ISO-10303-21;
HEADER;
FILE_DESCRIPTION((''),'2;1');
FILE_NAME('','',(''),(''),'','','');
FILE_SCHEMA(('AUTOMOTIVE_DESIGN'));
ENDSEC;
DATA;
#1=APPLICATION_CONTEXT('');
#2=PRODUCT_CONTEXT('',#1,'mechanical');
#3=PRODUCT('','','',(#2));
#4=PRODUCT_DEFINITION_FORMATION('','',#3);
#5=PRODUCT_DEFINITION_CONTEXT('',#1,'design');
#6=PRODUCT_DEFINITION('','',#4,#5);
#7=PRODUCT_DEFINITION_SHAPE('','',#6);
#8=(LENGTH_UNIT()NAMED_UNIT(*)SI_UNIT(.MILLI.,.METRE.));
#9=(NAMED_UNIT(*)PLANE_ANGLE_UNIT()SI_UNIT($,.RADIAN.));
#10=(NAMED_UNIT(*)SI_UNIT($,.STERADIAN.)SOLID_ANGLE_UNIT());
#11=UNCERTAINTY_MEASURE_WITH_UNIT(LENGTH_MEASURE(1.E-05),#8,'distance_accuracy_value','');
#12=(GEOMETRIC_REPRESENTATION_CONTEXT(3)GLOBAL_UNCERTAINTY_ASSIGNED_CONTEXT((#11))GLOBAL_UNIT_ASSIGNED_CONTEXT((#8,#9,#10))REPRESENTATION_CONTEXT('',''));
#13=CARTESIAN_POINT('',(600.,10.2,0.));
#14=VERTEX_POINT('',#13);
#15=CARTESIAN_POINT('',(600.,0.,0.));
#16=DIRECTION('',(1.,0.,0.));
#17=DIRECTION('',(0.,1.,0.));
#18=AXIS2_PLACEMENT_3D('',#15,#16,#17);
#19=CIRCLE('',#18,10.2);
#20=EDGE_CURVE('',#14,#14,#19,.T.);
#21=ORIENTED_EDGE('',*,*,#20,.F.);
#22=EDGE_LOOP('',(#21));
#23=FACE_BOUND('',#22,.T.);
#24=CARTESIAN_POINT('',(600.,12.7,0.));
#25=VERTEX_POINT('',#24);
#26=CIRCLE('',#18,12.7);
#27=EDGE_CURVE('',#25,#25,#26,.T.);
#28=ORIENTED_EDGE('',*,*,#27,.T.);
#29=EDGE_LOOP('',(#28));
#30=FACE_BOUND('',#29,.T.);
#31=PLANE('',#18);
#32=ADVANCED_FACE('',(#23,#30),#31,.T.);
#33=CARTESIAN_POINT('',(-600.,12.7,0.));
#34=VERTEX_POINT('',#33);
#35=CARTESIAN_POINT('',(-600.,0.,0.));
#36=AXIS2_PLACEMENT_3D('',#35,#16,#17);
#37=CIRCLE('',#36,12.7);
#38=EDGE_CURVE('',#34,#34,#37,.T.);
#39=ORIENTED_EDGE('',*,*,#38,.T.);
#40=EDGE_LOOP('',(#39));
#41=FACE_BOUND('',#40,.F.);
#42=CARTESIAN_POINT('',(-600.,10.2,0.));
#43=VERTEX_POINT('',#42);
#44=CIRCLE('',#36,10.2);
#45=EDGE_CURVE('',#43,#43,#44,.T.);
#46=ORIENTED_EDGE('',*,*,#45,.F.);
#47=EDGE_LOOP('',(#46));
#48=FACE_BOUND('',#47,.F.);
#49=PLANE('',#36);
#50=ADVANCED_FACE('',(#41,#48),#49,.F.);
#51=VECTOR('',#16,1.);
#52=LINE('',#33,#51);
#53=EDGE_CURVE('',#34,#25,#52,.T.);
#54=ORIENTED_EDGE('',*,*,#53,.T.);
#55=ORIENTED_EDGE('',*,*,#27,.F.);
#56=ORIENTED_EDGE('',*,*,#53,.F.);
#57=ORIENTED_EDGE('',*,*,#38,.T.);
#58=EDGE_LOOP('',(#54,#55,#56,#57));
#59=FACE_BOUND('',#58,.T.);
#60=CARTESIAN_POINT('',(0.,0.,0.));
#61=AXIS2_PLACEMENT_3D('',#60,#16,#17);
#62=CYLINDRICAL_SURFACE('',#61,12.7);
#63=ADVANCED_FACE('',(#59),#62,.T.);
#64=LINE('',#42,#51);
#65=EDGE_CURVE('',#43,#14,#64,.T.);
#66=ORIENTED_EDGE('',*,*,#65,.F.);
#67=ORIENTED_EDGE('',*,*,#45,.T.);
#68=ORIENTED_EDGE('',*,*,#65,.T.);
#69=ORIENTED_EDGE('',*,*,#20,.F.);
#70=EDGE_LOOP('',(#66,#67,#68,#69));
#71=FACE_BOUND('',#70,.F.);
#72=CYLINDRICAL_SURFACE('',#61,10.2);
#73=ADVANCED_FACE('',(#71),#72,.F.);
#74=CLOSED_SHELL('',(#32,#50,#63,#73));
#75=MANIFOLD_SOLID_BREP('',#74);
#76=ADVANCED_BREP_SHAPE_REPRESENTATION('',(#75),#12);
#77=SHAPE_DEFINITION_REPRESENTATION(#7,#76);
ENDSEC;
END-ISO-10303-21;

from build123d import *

# Parameters (mm, degrees)
F0_R     = 12.7
F1_DEPTH = 600
F2_T     = -2.5


with BuildPart() as f1:
    # F0 (on Right) → F1 (new body, symmetric)
    with BuildSketch(Plane.YZ):
        Circle(F0_R)
    extrude(amount=F1_DEPTH, both=True)

    # F2
    f2_openings = [f1.faces().sort_by_distance(p)[0] for p in [
        (600, 0, 0),
        (-600, 0, 0),
    ]]
    offset(amount=F2_T, openings=f2_openings)


solid = f1.part
